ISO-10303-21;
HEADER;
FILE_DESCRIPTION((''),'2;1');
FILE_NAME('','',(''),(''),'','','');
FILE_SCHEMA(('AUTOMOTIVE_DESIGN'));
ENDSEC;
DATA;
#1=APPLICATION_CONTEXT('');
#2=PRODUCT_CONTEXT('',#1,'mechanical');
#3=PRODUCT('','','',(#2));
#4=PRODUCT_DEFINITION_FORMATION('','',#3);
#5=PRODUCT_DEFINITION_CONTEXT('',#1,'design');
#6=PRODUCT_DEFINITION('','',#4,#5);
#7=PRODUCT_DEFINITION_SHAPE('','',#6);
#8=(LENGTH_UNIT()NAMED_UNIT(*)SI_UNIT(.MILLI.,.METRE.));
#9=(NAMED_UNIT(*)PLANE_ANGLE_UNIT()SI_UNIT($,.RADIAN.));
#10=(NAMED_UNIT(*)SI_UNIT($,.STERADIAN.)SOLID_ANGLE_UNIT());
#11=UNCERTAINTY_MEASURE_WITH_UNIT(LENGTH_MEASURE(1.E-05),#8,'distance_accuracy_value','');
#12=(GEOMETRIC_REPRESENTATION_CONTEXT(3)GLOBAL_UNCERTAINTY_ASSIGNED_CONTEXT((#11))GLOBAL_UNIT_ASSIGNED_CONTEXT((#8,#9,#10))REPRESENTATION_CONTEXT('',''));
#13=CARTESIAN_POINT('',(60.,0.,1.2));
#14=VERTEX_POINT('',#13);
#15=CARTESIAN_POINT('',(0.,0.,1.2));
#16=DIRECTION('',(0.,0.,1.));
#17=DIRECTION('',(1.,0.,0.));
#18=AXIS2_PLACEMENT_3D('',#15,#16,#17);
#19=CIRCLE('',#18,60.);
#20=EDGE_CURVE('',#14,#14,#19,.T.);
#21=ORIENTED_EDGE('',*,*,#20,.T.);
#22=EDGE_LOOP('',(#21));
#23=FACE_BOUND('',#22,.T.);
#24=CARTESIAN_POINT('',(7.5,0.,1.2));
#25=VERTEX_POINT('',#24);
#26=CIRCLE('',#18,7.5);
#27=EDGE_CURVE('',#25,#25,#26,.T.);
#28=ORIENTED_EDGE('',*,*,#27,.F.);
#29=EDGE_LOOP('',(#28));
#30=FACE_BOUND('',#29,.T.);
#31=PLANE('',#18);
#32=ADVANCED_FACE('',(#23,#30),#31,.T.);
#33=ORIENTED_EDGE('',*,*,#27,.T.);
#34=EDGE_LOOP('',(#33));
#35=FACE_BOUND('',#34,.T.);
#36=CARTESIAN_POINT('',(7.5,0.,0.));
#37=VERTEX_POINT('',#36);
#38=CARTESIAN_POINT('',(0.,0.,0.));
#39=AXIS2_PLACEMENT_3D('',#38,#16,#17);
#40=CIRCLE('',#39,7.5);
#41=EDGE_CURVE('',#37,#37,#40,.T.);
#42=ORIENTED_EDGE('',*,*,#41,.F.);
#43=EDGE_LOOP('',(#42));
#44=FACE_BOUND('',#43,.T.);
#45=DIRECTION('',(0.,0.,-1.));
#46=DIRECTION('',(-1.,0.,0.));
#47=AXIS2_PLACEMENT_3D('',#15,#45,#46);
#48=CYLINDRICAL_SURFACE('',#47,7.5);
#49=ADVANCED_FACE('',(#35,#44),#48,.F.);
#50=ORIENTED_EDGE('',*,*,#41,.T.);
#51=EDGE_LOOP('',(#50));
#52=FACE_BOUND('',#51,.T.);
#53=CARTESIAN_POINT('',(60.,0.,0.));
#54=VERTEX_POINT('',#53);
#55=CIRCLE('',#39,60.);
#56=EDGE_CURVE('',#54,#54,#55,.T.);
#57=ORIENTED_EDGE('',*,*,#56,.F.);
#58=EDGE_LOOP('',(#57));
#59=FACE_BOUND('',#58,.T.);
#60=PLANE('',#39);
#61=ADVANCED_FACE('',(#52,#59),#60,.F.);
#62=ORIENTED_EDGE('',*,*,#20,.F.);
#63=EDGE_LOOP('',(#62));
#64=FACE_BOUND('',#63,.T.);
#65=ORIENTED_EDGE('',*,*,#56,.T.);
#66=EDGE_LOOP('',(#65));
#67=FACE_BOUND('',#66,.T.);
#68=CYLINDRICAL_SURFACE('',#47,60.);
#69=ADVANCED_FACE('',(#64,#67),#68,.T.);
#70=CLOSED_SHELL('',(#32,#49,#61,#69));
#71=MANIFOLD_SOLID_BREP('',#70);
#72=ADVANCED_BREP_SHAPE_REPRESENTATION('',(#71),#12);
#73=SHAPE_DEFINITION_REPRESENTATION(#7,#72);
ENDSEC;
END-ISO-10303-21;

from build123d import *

# Parameters (mm, degrees)
ESQUISSE1_R        = 60
ESQUISSE1_R_2      = 58
ESQUISSE1_R_3      = 25
ESQUISSE1_R_4      = 23
ESQUISSE1_R_5      = 7.5
BOSS_EXTRU_1_DEPTH = 1.2


with BuildPart() as part:
    # Esquisse1 → Boss.-Extru.1 (new body)
    # profile 1 of 4: a face of its own
    with BuildSketch(Plane.XY):
        Circle(ESQUISSE1_R)
        Circle(ESQUISSE1_R_2, mode=Mode.SUBTRACT)
    # profile 2 of 4: a face of its own
    with BuildSketch(Plane.XY):
        Circle(ESQUISSE1_R_2)
        Circle(ESQUISSE1_R_3, mode=Mode.SUBTRACT)
    # profile 3 of 4: a face of its own
    with BuildSketch(Plane.XY):
        Circle(ESQUISSE1_R_3)
        Circle(ESQUISSE1_R_4, mode=Mode.SUBTRACT)
    # profile 4 of 4: a face of its own
    with BuildSketch(Plane.XY):
        Circle(ESQUISSE1_R_4)
        Circle(ESQUISSE1_R_5, mode=Mode.SUBTRACT)
    extrude(amount=BOSS_EXTRU_1_DEPTH)


solid = part.part
